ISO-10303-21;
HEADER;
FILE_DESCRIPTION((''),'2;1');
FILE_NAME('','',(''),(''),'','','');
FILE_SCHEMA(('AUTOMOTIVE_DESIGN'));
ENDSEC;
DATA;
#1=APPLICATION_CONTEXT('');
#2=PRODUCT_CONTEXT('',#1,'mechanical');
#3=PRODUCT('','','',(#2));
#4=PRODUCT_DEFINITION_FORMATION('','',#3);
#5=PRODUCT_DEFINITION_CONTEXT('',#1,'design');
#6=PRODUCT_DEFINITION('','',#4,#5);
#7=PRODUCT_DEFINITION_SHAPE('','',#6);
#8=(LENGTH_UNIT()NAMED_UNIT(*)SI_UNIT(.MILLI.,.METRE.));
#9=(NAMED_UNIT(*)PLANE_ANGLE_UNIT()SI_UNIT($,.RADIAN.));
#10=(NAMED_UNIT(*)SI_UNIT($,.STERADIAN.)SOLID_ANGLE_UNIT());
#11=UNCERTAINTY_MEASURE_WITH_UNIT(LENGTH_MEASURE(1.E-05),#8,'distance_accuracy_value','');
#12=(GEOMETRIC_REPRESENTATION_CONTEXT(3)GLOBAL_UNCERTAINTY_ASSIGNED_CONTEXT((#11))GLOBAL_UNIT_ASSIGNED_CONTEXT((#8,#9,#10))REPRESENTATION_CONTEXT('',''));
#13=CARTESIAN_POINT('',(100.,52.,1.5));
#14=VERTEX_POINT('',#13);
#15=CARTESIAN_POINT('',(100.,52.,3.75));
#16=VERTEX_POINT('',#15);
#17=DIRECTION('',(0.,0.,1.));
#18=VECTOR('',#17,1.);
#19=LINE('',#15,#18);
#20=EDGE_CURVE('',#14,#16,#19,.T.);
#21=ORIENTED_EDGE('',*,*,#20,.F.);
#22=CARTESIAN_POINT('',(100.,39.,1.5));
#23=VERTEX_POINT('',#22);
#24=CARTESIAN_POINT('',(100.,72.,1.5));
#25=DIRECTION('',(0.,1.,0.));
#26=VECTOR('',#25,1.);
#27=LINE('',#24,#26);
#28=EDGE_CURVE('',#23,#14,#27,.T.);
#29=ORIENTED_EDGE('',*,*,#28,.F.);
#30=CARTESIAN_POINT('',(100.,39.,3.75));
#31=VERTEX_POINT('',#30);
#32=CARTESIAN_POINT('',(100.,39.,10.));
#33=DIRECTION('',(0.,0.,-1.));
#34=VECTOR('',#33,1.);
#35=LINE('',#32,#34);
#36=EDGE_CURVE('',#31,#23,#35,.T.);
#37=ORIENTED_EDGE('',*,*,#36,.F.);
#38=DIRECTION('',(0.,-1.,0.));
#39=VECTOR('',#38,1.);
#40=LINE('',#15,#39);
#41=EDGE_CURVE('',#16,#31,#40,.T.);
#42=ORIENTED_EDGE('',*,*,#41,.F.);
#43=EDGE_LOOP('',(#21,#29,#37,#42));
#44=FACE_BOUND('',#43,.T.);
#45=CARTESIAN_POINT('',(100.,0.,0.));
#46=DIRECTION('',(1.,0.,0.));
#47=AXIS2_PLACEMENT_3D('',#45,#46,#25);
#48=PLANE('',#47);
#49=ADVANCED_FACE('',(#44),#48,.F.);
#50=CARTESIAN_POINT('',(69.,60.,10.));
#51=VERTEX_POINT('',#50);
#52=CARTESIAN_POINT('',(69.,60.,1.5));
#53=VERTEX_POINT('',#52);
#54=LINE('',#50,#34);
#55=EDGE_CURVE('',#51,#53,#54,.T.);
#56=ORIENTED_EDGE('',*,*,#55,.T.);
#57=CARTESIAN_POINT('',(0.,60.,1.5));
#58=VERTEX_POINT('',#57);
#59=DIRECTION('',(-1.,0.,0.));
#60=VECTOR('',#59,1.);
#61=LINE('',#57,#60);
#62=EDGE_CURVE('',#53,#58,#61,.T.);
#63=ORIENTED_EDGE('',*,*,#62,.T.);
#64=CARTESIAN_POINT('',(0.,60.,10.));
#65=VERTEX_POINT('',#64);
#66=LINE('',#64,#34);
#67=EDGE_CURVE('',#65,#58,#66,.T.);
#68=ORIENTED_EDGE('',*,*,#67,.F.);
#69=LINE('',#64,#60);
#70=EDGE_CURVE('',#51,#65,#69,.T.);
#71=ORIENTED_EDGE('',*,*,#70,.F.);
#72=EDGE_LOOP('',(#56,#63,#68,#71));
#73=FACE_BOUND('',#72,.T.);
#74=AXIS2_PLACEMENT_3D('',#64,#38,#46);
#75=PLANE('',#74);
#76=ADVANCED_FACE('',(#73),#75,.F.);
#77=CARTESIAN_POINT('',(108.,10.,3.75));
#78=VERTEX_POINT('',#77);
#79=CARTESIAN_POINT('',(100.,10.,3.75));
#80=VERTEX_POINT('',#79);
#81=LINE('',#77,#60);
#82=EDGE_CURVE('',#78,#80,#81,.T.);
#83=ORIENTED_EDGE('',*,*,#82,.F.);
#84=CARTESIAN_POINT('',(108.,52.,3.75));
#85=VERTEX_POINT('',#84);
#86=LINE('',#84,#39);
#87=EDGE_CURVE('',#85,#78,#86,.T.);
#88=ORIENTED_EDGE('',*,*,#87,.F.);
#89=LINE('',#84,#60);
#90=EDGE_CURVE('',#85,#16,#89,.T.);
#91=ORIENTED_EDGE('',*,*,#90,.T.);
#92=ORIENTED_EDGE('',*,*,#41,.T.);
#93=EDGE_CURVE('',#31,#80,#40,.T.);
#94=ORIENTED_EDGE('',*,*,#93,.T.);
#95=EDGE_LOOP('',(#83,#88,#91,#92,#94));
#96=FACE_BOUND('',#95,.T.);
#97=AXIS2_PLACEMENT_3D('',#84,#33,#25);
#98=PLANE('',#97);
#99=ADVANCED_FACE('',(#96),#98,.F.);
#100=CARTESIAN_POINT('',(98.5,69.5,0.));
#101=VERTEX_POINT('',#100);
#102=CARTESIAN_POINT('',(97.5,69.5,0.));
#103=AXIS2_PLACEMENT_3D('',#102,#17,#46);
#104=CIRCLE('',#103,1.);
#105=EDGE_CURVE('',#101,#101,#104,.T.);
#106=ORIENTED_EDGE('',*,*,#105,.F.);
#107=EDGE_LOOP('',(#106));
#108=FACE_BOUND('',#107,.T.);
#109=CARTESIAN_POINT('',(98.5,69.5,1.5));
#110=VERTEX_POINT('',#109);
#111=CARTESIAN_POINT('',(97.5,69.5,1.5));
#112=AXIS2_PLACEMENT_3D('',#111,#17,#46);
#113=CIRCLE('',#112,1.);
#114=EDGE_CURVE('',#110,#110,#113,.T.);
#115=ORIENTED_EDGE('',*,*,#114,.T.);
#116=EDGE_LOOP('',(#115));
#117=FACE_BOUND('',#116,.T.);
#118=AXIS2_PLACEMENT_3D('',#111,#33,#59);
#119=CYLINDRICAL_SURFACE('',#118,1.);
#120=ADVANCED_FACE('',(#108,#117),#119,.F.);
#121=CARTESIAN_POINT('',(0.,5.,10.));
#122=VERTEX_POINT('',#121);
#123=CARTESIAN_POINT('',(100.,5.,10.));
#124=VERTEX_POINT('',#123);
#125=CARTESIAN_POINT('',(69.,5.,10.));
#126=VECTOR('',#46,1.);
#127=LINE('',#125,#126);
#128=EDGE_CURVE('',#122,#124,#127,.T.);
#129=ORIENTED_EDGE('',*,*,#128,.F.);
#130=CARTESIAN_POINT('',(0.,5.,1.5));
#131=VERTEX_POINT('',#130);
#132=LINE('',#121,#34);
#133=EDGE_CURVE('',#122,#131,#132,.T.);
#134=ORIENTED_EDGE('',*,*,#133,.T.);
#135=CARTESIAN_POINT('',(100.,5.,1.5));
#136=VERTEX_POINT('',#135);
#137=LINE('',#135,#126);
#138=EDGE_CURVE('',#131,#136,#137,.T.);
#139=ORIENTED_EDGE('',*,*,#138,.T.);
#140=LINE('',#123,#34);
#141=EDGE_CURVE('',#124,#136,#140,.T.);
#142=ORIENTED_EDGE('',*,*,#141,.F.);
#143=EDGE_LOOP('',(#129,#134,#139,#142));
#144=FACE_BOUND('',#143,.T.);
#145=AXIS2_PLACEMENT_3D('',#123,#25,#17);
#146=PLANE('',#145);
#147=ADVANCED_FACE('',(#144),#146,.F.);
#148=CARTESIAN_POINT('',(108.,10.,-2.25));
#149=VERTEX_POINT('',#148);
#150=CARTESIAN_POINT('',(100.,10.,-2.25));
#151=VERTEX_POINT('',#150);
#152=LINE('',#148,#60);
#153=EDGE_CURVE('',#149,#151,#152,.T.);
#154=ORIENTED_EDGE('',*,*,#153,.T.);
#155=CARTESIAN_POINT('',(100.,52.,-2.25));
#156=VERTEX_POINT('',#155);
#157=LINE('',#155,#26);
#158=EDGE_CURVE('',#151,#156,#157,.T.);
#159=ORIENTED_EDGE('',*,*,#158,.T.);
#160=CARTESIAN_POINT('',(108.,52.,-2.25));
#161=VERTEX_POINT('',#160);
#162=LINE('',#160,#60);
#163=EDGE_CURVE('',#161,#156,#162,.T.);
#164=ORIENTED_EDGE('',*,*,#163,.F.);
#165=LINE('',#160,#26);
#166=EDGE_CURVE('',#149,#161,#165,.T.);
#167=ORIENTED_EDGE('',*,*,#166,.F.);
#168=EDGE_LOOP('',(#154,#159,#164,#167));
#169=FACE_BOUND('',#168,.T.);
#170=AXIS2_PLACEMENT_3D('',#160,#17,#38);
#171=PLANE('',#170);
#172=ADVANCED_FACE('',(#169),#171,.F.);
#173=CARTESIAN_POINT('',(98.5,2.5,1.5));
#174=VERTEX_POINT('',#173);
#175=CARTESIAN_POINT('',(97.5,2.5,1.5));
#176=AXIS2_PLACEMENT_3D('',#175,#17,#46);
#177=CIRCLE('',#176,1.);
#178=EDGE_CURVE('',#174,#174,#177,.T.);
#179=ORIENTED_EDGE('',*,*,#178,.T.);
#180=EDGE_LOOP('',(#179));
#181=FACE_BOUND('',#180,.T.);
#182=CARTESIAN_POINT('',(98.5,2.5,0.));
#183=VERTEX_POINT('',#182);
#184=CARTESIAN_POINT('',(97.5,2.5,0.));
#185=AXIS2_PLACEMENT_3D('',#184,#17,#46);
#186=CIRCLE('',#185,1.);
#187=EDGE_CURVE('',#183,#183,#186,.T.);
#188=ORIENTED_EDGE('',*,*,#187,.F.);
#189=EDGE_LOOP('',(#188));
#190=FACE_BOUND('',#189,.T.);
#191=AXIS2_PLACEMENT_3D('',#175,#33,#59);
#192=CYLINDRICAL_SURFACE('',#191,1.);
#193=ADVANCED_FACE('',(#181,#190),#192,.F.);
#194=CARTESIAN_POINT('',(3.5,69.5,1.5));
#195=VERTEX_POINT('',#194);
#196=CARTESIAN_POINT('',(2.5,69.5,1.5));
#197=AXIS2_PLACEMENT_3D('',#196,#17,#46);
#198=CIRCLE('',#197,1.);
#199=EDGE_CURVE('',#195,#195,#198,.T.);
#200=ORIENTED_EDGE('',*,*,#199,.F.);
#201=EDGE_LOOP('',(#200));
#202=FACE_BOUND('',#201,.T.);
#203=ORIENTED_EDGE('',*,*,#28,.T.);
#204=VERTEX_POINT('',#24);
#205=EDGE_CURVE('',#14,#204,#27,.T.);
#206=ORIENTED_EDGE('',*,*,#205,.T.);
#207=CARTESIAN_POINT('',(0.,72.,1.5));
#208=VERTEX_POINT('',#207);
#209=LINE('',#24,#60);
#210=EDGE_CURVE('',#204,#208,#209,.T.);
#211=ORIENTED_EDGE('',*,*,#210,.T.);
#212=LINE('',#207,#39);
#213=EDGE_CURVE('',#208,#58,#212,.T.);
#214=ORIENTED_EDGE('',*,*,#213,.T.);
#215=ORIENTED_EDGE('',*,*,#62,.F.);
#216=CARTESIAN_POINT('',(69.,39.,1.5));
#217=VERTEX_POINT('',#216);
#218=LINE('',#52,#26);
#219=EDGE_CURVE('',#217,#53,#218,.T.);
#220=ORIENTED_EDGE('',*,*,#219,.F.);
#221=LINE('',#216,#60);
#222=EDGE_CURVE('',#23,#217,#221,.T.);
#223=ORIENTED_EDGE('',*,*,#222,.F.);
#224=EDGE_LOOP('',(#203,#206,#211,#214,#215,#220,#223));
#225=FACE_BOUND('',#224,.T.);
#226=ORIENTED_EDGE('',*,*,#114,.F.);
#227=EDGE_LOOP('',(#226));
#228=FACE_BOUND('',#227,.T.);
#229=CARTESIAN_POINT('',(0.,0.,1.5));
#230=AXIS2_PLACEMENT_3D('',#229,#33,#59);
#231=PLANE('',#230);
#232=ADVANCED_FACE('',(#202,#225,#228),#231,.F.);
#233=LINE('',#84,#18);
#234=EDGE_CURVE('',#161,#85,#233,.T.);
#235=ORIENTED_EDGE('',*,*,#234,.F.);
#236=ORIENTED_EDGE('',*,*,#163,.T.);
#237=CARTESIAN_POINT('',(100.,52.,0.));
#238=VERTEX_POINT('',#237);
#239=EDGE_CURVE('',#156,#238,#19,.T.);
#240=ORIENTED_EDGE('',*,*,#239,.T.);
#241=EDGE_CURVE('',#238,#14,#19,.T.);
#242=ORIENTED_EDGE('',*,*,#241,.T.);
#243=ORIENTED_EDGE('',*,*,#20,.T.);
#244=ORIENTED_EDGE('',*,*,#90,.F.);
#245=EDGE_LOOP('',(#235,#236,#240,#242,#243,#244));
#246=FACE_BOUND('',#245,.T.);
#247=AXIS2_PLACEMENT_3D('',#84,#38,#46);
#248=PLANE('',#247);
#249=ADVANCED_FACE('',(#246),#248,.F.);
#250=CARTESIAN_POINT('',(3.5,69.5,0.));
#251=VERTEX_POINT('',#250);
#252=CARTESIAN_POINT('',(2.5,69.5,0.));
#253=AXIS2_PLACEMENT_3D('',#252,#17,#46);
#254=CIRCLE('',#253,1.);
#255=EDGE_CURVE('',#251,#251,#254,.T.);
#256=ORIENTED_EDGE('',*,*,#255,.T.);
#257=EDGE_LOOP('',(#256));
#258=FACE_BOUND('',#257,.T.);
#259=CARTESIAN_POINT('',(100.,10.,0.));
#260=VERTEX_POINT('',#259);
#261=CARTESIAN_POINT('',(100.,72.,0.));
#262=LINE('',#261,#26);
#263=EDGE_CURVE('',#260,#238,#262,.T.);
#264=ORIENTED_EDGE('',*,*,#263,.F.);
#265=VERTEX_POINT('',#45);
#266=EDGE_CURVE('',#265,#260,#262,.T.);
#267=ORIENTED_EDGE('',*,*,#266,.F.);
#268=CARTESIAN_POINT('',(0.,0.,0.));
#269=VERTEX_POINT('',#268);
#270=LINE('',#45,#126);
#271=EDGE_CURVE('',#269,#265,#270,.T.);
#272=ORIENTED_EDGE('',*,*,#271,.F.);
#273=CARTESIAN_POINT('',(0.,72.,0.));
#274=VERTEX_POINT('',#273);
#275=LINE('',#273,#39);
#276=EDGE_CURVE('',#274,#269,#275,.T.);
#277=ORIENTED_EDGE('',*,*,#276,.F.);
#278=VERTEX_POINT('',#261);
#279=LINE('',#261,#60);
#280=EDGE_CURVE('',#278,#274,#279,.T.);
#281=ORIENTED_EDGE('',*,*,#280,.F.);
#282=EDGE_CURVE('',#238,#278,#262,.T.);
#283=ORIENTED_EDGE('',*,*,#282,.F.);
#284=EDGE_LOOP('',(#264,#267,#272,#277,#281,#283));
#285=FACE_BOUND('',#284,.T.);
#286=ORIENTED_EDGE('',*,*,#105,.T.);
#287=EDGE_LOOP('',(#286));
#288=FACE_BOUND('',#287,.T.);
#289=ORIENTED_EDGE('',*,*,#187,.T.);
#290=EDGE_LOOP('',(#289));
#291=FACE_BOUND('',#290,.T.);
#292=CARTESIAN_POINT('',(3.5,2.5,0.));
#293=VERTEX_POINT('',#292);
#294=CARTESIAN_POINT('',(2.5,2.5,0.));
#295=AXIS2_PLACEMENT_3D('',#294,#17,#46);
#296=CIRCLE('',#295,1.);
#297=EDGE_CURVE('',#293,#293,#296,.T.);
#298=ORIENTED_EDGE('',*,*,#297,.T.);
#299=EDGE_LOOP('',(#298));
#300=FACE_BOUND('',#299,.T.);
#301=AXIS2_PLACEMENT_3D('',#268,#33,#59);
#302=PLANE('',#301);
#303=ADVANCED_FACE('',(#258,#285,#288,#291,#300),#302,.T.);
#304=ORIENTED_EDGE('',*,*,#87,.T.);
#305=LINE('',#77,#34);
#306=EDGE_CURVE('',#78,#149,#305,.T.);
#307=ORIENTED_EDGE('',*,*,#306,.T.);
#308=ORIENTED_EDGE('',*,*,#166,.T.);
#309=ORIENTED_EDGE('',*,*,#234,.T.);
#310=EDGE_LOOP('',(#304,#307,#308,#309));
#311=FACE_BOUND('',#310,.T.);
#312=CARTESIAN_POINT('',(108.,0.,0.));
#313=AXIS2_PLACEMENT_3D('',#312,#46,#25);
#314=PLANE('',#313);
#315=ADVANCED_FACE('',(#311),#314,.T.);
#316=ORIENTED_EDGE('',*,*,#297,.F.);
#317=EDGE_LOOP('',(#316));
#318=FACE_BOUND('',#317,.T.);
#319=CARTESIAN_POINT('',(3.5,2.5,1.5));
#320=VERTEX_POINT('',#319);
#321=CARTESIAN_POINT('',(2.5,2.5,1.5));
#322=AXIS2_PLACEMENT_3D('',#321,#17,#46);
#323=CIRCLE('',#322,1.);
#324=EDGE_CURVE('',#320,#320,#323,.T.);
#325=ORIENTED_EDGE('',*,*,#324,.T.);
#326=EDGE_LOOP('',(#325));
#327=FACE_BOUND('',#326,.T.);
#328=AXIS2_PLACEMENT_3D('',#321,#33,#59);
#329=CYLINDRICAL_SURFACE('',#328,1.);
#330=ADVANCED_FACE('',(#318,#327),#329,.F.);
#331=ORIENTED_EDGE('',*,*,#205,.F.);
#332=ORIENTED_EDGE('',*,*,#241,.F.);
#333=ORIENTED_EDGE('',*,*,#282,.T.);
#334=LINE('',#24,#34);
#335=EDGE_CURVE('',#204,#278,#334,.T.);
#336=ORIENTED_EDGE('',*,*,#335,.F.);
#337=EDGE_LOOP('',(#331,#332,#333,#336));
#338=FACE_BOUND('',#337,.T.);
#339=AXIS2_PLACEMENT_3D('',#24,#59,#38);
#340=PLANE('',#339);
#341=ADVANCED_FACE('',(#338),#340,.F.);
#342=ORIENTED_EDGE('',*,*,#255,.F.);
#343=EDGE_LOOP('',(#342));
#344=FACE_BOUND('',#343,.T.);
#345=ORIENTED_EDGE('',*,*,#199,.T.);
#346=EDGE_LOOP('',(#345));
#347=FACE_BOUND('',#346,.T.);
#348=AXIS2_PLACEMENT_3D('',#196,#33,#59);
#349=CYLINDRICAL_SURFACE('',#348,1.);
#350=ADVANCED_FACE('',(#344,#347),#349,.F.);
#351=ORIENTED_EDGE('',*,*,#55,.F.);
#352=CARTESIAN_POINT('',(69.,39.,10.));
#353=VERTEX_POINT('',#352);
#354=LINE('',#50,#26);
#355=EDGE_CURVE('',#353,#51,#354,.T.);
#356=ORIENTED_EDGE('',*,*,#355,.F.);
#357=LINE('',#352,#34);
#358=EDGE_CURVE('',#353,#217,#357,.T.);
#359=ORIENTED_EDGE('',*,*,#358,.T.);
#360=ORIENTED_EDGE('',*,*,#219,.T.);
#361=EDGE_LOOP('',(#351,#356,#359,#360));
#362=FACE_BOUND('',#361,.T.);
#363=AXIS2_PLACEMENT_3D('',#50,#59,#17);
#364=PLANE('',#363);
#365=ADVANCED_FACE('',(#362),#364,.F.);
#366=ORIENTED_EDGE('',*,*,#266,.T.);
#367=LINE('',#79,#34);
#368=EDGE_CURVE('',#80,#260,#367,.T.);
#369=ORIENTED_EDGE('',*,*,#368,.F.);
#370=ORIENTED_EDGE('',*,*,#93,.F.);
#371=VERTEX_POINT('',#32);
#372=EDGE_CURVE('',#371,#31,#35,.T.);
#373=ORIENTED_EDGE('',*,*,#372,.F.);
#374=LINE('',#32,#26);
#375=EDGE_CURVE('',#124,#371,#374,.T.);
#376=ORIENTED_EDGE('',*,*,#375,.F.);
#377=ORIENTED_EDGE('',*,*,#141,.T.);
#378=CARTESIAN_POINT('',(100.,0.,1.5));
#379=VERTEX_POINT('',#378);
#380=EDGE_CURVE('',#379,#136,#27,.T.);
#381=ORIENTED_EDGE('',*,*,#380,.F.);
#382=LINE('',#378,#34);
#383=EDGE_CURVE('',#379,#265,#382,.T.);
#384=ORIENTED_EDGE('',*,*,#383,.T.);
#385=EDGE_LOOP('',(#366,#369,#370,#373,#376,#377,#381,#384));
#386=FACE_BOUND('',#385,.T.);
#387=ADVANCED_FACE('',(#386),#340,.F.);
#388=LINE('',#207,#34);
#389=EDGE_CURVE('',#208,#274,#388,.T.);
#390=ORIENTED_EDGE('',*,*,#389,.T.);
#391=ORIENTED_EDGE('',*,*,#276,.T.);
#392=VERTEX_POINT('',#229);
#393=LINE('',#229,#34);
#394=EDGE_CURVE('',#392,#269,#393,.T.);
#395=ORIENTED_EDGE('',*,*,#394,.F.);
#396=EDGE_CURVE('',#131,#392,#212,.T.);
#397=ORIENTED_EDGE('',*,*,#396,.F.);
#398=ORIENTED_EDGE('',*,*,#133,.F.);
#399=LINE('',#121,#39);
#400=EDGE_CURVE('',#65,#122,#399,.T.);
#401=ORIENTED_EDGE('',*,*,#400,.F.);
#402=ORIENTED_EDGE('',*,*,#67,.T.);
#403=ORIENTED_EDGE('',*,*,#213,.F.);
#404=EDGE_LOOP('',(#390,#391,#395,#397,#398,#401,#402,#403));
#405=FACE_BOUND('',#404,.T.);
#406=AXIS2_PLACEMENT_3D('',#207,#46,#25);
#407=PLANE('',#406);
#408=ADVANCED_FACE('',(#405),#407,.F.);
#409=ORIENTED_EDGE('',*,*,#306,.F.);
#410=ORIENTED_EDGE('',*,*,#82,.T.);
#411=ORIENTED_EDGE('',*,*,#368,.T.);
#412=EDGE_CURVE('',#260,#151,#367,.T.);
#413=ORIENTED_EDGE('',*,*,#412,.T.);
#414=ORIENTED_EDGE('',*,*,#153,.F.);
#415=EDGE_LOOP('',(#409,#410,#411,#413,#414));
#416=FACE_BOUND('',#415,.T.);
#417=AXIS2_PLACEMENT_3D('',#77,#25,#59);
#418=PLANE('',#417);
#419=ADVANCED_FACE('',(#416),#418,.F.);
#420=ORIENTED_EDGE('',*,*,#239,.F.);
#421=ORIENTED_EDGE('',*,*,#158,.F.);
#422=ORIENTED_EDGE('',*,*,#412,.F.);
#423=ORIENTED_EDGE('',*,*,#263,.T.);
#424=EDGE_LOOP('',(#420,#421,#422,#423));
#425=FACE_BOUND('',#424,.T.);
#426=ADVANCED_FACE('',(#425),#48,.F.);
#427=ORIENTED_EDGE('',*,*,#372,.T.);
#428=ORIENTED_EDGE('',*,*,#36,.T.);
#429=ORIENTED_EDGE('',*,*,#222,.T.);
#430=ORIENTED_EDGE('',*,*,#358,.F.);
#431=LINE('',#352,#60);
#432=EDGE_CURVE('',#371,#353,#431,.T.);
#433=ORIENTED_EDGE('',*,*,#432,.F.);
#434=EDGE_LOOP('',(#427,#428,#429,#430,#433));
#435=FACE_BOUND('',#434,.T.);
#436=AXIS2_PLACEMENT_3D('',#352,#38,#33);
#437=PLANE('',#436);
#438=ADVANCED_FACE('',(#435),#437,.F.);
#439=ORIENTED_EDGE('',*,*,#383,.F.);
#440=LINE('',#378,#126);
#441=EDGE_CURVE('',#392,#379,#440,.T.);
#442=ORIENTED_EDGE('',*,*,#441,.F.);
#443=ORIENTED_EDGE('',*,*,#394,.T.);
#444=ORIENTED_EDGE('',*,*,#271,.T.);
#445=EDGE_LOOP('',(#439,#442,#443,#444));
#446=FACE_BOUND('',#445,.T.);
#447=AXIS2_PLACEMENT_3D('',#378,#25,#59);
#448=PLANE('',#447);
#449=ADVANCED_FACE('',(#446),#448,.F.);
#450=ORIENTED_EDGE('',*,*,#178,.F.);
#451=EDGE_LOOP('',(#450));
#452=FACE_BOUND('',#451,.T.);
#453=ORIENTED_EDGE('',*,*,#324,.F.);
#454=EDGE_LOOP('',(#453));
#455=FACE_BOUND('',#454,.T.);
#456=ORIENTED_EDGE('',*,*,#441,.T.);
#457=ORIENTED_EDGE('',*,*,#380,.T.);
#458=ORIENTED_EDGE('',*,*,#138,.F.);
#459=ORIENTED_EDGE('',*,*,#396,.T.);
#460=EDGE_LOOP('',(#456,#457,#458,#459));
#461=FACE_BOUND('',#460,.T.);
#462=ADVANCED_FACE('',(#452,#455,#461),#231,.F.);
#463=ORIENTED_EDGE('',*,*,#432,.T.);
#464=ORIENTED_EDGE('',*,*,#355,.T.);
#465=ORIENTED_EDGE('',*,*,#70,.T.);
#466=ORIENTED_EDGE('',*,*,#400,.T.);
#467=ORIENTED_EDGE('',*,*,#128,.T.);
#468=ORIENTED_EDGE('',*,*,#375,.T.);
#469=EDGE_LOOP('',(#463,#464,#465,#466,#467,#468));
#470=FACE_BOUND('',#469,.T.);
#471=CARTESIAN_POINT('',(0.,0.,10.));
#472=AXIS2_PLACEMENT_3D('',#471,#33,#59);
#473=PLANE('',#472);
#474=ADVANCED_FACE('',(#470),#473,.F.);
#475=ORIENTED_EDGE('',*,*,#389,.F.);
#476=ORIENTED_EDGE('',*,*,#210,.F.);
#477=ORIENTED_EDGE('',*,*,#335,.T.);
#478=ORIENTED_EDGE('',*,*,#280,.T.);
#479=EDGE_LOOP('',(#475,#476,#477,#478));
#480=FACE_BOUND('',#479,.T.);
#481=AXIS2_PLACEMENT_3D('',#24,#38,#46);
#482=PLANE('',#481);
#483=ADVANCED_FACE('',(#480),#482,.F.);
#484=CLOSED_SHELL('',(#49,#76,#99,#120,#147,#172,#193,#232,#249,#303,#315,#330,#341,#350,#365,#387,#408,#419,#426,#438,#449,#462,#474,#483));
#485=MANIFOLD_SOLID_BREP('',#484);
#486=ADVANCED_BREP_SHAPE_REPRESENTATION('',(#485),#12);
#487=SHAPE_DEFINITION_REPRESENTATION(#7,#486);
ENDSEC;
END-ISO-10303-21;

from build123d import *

# Parameters (mm, degrees)
MAIN_W                        = 100
MAIN_H                        = 72
MAIN_R                        = 1
MAIN_EXTRUSION_DEPTH          = 1.5
BOTTOM_HOLE_DEPTH             = 8.5
IDE_CONNECTOR_SKETCH_W        = 6
IDE_CONNECTOR_SKETCH_H        = 42
IDE_CONNECTOR_EXTRUSION_DEPTH = 8


with BuildPart() as part:
    # Main → Main-Extrusion (new body)
    with BuildSketch(Plane.XY):
        with Locations((50, 36)):
            Rectangle(MAIN_W, MAIN_H)
        with Locations((2.5, 69.5)):
            Circle(MAIN_R, mode=Mode.SUBTRACT)
        with Locations((2.5, 2.5)):
            Circle(MAIN_R, mode=Mode.SUBTRACT)
        with Locations((97.5, 69.5)):
            Circle(MAIN_R, mode=Mode.SUBTRACT)
        with Locations((97.5, 2.5)):
            Circle(MAIN_R, mode=Mode.SUBTRACT)
    extrude(amount=MAIN_EXTRUSION_DEPTH)

    # Bottom-Hole-Sketch → Bottom-Hole (add)
    with BuildSketch(Plane.XY.offset(1.5)):
        Polygon((0, 60), (69, 60), (69, 39), (100, 39), (100, 5), (69, 5), (0, 5), align=None)
    extrude(amount=BOTTOM_HOLE_DEPTH)

    # Ide-Connector-Sketch → Ide-Connector-Extrusion (add)
    with BuildSketch(Plane(origin=(100, 0, 0), x_dir=(0, 0, -1), z_dir=(1, 0, 0))):
        with Locations((-0.75, 31)):
            Rectangle(IDE_CONNECTOR_SKETCH_W, IDE_CONNECTOR_SKETCH_H)
    extrude(amount=IDE_CONNECTOR_EXTRUSION_DEPTH)


solid = part.part
